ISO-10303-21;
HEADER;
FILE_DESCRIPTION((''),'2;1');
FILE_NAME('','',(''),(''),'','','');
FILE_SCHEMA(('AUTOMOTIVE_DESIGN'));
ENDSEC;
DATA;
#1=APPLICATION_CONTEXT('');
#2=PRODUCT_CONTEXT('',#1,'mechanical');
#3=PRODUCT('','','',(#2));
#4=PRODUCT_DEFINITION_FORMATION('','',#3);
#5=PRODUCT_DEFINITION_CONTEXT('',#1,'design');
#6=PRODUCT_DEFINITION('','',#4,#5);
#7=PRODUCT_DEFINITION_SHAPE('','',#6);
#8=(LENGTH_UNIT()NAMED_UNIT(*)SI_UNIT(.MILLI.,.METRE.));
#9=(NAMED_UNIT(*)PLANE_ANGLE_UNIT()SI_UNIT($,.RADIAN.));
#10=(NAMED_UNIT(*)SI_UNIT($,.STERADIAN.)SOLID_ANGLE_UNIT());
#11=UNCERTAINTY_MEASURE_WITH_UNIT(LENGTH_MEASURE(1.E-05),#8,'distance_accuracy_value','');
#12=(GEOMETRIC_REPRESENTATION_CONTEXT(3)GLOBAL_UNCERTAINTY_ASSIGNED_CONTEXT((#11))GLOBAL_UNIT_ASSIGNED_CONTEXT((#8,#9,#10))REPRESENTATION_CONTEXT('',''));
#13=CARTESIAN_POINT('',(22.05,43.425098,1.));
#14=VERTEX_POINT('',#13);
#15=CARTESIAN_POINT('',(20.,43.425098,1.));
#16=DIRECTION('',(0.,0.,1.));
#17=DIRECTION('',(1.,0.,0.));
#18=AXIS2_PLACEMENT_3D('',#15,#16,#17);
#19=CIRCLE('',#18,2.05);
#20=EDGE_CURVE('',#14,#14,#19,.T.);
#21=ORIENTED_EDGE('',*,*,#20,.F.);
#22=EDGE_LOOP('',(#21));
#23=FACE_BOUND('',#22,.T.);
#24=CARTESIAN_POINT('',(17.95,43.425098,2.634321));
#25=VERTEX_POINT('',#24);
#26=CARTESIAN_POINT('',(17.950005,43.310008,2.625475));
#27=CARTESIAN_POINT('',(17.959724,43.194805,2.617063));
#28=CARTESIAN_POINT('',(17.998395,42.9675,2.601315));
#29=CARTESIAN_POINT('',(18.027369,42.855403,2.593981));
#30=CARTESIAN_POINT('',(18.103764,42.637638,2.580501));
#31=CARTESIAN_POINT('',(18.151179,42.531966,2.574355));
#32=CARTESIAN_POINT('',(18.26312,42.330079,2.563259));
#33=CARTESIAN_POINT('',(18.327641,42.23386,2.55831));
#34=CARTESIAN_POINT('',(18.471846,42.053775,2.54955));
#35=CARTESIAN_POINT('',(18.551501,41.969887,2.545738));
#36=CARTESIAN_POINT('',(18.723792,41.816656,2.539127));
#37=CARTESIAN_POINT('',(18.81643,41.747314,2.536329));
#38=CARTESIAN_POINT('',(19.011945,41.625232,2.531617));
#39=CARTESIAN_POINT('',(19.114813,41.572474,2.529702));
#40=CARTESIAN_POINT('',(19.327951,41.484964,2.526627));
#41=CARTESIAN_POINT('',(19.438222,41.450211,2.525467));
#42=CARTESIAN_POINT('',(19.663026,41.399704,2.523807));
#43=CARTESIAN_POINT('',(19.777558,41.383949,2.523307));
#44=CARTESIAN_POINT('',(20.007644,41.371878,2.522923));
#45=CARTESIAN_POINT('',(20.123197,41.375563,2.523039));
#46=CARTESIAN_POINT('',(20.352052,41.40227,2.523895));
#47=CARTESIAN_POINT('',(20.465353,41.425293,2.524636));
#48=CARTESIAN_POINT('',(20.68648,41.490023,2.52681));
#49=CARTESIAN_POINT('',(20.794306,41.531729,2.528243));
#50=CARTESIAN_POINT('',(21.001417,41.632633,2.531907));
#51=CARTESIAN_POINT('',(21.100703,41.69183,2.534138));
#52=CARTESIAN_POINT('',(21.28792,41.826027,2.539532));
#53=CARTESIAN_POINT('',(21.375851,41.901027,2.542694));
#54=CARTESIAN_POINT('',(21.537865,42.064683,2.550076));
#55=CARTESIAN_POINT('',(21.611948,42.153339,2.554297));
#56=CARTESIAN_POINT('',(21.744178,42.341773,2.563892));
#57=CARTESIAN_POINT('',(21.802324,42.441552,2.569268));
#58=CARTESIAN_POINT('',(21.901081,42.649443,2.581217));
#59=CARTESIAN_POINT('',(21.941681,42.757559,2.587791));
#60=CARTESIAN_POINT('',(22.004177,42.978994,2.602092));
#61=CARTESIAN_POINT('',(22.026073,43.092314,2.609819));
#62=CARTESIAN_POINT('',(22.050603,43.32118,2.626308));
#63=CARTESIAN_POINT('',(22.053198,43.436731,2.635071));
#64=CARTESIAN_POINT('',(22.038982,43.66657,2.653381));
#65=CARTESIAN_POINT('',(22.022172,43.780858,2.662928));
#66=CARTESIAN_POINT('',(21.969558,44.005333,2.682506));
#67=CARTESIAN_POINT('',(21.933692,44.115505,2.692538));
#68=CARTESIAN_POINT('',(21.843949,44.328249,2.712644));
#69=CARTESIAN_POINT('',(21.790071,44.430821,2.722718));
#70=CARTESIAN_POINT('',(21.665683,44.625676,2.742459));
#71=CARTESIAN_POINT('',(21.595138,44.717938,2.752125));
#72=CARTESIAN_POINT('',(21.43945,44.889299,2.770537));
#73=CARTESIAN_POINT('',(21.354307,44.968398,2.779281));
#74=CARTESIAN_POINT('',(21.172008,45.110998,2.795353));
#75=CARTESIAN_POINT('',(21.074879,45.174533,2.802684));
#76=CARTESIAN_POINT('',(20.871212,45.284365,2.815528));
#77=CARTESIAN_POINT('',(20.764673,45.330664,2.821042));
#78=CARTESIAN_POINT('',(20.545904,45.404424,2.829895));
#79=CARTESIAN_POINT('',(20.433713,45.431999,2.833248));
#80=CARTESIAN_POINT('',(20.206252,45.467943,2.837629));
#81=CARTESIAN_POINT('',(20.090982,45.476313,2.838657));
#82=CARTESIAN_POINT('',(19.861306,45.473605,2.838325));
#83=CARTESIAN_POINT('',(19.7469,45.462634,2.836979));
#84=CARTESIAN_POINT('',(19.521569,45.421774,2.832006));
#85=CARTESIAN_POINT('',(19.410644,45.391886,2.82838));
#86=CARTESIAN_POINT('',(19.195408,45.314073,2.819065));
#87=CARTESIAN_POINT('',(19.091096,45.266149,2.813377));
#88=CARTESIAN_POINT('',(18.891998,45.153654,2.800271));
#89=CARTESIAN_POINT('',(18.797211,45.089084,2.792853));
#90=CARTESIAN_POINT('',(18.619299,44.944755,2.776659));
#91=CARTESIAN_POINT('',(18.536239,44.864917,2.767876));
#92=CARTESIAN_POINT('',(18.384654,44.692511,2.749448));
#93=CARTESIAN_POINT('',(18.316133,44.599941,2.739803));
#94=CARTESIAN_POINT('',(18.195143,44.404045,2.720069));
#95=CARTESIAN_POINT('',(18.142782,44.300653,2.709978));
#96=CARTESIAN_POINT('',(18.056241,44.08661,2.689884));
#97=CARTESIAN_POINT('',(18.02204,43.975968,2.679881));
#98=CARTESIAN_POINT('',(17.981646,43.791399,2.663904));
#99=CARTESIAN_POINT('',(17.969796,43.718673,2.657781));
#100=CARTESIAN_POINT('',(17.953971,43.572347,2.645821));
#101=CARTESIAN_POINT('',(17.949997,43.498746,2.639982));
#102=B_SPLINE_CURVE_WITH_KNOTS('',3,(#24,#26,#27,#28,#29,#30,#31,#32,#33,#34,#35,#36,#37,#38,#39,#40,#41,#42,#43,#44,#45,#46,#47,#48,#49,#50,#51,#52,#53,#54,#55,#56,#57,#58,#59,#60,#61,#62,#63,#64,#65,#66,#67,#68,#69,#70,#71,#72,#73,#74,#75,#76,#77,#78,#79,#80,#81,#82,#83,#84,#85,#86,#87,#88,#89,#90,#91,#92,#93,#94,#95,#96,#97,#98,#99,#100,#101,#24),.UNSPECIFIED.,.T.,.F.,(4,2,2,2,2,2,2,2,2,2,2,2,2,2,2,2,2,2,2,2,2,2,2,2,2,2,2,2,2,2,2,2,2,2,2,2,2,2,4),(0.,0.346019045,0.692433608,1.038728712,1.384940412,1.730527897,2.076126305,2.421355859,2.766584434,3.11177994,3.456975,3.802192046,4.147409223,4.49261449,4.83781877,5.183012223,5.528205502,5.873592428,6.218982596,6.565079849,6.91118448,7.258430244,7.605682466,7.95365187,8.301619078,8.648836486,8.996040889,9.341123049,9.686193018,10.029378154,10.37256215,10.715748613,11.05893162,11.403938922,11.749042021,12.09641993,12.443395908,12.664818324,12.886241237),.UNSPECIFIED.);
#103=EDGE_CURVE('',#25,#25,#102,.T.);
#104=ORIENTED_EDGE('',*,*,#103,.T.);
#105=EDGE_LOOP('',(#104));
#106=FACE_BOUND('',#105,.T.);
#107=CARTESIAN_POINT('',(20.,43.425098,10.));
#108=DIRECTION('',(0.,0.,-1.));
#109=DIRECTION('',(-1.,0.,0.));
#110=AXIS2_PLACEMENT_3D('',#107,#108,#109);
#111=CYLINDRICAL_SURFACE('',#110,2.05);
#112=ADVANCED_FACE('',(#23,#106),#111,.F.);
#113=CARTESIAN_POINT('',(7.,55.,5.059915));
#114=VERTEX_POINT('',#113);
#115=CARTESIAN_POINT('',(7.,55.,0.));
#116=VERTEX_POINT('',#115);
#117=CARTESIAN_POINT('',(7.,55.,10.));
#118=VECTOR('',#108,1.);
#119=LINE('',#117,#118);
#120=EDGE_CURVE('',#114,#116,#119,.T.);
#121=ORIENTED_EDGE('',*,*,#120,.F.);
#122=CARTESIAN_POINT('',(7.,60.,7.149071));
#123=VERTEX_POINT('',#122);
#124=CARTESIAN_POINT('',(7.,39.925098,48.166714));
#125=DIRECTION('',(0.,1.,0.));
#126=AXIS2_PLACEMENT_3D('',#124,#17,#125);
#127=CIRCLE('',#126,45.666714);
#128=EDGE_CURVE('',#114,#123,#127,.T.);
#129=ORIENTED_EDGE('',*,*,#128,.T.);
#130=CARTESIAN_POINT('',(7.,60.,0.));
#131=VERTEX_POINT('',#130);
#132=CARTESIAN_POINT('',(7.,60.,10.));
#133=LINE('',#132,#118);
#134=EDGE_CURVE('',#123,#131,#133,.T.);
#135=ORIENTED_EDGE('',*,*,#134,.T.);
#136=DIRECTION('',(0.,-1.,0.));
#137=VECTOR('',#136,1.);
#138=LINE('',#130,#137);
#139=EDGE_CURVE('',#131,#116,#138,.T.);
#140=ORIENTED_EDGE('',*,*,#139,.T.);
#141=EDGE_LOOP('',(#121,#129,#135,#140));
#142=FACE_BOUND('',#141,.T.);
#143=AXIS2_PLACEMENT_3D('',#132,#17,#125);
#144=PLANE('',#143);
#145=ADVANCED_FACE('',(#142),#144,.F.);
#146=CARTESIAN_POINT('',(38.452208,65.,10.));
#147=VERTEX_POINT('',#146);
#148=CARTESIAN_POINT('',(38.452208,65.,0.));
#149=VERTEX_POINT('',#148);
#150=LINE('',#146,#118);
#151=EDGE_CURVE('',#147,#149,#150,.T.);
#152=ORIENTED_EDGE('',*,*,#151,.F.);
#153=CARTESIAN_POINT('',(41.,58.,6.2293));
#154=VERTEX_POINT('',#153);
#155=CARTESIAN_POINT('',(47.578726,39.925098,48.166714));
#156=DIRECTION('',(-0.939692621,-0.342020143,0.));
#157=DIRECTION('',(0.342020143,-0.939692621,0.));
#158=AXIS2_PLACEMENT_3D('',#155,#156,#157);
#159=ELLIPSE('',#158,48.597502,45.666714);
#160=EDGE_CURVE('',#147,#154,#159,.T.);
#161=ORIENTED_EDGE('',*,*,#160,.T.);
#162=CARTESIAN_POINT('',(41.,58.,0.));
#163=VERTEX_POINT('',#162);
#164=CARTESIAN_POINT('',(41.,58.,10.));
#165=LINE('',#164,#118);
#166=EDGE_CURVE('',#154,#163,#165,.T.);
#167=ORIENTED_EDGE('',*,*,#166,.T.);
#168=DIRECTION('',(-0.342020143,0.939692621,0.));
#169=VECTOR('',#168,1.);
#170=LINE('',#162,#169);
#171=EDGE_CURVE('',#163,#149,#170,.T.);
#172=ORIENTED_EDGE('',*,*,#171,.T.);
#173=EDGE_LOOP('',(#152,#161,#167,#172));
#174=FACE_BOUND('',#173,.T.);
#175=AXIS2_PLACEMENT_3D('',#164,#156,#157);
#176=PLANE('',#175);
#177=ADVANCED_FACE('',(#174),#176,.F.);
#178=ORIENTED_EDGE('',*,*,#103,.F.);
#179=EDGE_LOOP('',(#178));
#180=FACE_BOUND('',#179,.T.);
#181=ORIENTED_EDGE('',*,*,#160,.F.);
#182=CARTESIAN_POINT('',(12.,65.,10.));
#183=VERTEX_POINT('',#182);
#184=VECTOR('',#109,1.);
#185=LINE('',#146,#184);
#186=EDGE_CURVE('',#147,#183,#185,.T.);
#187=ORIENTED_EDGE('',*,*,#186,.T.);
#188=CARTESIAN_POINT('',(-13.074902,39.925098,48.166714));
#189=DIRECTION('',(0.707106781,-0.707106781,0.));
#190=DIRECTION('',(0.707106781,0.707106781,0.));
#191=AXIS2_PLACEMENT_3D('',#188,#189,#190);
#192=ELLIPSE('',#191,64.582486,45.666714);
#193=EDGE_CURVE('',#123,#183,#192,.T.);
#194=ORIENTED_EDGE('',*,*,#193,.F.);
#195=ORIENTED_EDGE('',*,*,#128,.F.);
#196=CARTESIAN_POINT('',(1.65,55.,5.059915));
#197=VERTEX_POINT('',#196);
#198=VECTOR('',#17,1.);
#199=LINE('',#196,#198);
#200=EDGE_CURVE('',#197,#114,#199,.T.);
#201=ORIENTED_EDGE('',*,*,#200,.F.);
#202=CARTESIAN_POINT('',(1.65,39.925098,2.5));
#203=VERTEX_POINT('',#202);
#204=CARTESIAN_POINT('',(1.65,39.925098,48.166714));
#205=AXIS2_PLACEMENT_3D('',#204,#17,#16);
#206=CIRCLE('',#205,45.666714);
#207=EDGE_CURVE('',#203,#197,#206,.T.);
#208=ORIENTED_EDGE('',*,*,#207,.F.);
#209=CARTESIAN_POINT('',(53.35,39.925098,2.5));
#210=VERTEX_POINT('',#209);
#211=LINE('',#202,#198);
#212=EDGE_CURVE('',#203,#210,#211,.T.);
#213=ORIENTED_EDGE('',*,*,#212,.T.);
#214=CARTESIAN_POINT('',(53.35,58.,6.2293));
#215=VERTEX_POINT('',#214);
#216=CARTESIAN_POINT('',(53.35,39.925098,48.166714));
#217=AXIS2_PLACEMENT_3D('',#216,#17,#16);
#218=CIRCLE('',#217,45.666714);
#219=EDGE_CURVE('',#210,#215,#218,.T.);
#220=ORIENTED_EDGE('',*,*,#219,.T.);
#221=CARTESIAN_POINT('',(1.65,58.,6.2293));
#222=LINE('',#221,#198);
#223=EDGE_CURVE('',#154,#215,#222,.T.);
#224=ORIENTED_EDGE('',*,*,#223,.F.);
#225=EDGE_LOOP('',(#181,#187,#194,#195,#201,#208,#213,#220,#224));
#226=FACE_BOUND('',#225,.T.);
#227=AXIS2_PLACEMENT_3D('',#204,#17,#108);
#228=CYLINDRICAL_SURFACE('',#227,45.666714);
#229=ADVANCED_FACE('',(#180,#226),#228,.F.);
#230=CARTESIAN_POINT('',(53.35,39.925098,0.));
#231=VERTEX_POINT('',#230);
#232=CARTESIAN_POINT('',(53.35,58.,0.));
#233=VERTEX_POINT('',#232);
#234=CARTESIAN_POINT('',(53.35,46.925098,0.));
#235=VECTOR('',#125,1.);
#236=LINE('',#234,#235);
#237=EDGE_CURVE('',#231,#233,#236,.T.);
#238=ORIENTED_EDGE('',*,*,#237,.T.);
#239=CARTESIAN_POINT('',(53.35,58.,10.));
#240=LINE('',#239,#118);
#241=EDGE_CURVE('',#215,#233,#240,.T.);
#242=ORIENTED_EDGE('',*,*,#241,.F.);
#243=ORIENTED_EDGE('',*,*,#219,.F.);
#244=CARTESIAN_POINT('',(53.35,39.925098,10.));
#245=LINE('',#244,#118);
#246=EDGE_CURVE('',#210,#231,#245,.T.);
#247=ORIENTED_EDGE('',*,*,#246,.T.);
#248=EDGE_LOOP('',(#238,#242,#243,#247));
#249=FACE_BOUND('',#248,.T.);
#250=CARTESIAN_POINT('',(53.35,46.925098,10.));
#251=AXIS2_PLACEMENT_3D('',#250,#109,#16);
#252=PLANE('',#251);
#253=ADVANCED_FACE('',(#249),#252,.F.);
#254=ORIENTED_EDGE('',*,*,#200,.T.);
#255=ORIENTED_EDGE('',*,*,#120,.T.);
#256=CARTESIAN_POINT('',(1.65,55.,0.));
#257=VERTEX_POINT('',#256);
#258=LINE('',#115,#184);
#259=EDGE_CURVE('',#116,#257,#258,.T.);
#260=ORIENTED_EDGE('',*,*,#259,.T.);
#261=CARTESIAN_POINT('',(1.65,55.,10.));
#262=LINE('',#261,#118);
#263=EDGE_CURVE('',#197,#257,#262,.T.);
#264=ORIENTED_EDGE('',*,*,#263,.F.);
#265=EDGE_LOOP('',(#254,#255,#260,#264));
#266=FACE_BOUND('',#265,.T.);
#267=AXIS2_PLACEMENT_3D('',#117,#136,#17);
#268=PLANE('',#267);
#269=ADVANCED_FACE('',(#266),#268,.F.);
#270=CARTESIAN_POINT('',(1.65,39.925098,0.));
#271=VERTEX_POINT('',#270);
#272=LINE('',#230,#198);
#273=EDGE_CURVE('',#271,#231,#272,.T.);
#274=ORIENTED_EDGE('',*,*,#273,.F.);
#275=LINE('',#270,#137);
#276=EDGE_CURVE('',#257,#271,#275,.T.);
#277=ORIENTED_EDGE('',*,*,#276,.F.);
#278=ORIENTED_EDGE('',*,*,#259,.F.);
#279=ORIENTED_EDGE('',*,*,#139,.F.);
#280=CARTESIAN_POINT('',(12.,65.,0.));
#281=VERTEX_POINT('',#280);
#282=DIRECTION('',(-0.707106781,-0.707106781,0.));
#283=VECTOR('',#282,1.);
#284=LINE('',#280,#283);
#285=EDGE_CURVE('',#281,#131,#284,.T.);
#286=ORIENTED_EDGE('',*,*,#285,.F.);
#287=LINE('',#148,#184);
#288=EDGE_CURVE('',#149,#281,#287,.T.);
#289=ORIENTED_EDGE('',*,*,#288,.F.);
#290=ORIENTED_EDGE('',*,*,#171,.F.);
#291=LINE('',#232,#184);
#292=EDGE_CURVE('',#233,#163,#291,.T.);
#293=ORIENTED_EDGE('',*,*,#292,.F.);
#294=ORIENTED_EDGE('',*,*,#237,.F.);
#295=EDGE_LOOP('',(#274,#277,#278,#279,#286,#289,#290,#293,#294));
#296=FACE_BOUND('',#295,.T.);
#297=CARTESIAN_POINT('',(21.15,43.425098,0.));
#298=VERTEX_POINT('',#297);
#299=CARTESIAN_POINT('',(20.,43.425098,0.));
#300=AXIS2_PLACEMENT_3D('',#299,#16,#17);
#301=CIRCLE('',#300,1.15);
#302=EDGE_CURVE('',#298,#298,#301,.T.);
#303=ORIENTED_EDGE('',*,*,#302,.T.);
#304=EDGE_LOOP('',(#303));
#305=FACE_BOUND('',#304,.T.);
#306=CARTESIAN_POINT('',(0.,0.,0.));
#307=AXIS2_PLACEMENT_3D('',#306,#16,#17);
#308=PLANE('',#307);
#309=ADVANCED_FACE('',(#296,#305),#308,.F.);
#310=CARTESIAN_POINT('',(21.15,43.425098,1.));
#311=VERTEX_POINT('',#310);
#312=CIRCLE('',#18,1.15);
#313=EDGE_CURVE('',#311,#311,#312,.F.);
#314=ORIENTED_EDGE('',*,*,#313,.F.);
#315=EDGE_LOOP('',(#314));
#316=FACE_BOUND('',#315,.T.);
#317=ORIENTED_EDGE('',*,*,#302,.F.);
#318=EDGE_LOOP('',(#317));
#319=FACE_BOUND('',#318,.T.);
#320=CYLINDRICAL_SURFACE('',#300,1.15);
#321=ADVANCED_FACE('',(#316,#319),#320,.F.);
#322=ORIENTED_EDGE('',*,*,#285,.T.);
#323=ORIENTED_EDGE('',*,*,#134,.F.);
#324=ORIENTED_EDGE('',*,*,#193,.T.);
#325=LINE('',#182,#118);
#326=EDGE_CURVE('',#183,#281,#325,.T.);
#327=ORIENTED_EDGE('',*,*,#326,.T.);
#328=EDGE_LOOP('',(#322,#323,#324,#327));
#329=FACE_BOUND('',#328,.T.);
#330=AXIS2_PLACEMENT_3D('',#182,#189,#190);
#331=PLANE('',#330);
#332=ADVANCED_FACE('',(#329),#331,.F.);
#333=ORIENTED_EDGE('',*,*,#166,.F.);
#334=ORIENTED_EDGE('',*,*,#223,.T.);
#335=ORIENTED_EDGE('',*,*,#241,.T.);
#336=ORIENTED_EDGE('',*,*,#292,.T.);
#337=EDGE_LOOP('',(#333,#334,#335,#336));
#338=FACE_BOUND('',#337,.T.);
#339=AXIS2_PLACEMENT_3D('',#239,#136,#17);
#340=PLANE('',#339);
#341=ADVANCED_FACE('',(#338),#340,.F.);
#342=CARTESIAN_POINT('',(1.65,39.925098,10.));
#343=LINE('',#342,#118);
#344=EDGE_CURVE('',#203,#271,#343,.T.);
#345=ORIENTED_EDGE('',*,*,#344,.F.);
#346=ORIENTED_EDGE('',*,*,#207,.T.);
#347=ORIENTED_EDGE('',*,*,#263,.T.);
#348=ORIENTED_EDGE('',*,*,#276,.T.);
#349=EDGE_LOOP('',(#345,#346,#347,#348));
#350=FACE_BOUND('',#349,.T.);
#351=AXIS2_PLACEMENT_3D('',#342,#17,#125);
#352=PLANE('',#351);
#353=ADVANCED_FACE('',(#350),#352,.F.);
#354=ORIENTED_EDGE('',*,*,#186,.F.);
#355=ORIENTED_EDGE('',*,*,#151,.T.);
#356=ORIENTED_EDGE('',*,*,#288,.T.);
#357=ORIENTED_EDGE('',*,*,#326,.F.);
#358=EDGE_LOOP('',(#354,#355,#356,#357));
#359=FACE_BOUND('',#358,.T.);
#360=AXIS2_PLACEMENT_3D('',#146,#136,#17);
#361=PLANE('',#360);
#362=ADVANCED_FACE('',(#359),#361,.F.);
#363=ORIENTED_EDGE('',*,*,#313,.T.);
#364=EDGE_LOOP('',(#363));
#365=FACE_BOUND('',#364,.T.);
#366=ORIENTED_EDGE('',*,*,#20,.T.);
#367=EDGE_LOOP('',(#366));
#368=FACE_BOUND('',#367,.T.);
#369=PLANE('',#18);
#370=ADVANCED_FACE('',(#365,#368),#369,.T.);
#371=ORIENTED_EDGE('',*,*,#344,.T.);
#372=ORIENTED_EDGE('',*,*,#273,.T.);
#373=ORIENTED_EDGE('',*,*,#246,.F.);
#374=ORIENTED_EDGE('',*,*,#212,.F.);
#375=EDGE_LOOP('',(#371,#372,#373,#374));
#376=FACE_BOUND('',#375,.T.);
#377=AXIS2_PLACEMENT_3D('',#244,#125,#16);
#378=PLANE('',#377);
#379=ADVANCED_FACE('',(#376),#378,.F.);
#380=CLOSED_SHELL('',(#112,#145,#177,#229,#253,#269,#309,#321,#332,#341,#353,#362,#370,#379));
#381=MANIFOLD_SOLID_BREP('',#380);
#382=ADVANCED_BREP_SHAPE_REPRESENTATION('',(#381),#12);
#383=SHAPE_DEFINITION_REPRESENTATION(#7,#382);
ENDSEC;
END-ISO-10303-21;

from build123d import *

# Parameters (mm, degrees)
AUFSATZ_LINEAR_AUSTRAGEN1_DEPTH = 10
SKIZZE2_R                       = 1.15
SCHNITT_LINEAR_AUSTRAGEN1_DEPTH = 11
SKIZZE3_R                       = 2.05
SCHNITT_LINEAR_AUSTRAGEN2_DEPTH = 2
SCHNITT_LINEAR_AUSTRAGEN3_DEPTH = 52.7
SCHNITT_LINEAR_START            = 1
SKIZZE5_R                       = 2.05
SCHNITT_LINEAR_AUSTRAGEN4_DEPTH = 10.0000001


with BuildPart() as part:
    # Skizze1 → Aufsatz-Linear austragen1 (new body)
    with BuildSketch(Plane.XY):
        Polygon((53.35, 39.925098055), (1.65, 39.925098055), (1.65, 46.925098055), (1.65, 55), (7, 55), (7, 60), (12, 65), (38.45220836, 65), (41, 58), (53.35, 58), (53.35, 46.925098055), align=None)
    extrude(amount=AUFSATZ_LINEAR_AUSTRAGEN1_DEPTH)

    # Skizze2 → Schnitt-Linear austragen1 (cut, through all)
    with BuildSketch(Plane.XY.offset(10)):
        with Locations((20, 43.425098055)):
            Circle(SKIZZE2_R)
    extrude(amount=-SCHNITT_LINEAR_AUSTRAGEN1_DEPTH, mode=Mode.SUBTRACT)

    # Skizze3 → Schnitt-Linear austragen2 (cut)
    with BuildSketch(Plane.XY.offset(10)):
        with Locations((20, 43.425098055)):
            Circle(SKIZZE3_R)
    extrude(amount=-SCHNITT_LINEAR_AUSTRAGEN2_DEPTH, mode=Mode.SUBTRACT)

    # Skizze4 → Schnitt-Linear austragen3 (cut, through all)
    with BuildSketch(Plane(origin=(53.35, 0, 0), x_dir=(0, 0, -1), z_dir=(1, 0, 0))):
        with BuildLine():
            Line((-10, 65), (-48.166713837, 39.925098055))
            Line((-48.166713837, 39.925098055), (-2.5, 39.925098055))
            ThreePointArc((-2.5, 39.925098055), (-4.415158713, 53.011357142), (-10, 65))
        make_face()
    extrude(amount=-SCHNITT_LINEAR_AUSTRAGEN3_DEPTH, mode=Mode.SUBTRACT)

    # Skizze5 → Schnitt-Linear austragen4 (cut, through all)
    with BuildSketch(Plane.XY.offset(SCHNITT_LINEAR_START)):
        with Locations((20, 43.425098055)):
            Circle(SKIZZE5_R)
    extrude(amount=SCHNITT_LINEAR_AUSTRAGEN4_DEPTH, mode=Mode.SUBTRACT)


solid = part.part
